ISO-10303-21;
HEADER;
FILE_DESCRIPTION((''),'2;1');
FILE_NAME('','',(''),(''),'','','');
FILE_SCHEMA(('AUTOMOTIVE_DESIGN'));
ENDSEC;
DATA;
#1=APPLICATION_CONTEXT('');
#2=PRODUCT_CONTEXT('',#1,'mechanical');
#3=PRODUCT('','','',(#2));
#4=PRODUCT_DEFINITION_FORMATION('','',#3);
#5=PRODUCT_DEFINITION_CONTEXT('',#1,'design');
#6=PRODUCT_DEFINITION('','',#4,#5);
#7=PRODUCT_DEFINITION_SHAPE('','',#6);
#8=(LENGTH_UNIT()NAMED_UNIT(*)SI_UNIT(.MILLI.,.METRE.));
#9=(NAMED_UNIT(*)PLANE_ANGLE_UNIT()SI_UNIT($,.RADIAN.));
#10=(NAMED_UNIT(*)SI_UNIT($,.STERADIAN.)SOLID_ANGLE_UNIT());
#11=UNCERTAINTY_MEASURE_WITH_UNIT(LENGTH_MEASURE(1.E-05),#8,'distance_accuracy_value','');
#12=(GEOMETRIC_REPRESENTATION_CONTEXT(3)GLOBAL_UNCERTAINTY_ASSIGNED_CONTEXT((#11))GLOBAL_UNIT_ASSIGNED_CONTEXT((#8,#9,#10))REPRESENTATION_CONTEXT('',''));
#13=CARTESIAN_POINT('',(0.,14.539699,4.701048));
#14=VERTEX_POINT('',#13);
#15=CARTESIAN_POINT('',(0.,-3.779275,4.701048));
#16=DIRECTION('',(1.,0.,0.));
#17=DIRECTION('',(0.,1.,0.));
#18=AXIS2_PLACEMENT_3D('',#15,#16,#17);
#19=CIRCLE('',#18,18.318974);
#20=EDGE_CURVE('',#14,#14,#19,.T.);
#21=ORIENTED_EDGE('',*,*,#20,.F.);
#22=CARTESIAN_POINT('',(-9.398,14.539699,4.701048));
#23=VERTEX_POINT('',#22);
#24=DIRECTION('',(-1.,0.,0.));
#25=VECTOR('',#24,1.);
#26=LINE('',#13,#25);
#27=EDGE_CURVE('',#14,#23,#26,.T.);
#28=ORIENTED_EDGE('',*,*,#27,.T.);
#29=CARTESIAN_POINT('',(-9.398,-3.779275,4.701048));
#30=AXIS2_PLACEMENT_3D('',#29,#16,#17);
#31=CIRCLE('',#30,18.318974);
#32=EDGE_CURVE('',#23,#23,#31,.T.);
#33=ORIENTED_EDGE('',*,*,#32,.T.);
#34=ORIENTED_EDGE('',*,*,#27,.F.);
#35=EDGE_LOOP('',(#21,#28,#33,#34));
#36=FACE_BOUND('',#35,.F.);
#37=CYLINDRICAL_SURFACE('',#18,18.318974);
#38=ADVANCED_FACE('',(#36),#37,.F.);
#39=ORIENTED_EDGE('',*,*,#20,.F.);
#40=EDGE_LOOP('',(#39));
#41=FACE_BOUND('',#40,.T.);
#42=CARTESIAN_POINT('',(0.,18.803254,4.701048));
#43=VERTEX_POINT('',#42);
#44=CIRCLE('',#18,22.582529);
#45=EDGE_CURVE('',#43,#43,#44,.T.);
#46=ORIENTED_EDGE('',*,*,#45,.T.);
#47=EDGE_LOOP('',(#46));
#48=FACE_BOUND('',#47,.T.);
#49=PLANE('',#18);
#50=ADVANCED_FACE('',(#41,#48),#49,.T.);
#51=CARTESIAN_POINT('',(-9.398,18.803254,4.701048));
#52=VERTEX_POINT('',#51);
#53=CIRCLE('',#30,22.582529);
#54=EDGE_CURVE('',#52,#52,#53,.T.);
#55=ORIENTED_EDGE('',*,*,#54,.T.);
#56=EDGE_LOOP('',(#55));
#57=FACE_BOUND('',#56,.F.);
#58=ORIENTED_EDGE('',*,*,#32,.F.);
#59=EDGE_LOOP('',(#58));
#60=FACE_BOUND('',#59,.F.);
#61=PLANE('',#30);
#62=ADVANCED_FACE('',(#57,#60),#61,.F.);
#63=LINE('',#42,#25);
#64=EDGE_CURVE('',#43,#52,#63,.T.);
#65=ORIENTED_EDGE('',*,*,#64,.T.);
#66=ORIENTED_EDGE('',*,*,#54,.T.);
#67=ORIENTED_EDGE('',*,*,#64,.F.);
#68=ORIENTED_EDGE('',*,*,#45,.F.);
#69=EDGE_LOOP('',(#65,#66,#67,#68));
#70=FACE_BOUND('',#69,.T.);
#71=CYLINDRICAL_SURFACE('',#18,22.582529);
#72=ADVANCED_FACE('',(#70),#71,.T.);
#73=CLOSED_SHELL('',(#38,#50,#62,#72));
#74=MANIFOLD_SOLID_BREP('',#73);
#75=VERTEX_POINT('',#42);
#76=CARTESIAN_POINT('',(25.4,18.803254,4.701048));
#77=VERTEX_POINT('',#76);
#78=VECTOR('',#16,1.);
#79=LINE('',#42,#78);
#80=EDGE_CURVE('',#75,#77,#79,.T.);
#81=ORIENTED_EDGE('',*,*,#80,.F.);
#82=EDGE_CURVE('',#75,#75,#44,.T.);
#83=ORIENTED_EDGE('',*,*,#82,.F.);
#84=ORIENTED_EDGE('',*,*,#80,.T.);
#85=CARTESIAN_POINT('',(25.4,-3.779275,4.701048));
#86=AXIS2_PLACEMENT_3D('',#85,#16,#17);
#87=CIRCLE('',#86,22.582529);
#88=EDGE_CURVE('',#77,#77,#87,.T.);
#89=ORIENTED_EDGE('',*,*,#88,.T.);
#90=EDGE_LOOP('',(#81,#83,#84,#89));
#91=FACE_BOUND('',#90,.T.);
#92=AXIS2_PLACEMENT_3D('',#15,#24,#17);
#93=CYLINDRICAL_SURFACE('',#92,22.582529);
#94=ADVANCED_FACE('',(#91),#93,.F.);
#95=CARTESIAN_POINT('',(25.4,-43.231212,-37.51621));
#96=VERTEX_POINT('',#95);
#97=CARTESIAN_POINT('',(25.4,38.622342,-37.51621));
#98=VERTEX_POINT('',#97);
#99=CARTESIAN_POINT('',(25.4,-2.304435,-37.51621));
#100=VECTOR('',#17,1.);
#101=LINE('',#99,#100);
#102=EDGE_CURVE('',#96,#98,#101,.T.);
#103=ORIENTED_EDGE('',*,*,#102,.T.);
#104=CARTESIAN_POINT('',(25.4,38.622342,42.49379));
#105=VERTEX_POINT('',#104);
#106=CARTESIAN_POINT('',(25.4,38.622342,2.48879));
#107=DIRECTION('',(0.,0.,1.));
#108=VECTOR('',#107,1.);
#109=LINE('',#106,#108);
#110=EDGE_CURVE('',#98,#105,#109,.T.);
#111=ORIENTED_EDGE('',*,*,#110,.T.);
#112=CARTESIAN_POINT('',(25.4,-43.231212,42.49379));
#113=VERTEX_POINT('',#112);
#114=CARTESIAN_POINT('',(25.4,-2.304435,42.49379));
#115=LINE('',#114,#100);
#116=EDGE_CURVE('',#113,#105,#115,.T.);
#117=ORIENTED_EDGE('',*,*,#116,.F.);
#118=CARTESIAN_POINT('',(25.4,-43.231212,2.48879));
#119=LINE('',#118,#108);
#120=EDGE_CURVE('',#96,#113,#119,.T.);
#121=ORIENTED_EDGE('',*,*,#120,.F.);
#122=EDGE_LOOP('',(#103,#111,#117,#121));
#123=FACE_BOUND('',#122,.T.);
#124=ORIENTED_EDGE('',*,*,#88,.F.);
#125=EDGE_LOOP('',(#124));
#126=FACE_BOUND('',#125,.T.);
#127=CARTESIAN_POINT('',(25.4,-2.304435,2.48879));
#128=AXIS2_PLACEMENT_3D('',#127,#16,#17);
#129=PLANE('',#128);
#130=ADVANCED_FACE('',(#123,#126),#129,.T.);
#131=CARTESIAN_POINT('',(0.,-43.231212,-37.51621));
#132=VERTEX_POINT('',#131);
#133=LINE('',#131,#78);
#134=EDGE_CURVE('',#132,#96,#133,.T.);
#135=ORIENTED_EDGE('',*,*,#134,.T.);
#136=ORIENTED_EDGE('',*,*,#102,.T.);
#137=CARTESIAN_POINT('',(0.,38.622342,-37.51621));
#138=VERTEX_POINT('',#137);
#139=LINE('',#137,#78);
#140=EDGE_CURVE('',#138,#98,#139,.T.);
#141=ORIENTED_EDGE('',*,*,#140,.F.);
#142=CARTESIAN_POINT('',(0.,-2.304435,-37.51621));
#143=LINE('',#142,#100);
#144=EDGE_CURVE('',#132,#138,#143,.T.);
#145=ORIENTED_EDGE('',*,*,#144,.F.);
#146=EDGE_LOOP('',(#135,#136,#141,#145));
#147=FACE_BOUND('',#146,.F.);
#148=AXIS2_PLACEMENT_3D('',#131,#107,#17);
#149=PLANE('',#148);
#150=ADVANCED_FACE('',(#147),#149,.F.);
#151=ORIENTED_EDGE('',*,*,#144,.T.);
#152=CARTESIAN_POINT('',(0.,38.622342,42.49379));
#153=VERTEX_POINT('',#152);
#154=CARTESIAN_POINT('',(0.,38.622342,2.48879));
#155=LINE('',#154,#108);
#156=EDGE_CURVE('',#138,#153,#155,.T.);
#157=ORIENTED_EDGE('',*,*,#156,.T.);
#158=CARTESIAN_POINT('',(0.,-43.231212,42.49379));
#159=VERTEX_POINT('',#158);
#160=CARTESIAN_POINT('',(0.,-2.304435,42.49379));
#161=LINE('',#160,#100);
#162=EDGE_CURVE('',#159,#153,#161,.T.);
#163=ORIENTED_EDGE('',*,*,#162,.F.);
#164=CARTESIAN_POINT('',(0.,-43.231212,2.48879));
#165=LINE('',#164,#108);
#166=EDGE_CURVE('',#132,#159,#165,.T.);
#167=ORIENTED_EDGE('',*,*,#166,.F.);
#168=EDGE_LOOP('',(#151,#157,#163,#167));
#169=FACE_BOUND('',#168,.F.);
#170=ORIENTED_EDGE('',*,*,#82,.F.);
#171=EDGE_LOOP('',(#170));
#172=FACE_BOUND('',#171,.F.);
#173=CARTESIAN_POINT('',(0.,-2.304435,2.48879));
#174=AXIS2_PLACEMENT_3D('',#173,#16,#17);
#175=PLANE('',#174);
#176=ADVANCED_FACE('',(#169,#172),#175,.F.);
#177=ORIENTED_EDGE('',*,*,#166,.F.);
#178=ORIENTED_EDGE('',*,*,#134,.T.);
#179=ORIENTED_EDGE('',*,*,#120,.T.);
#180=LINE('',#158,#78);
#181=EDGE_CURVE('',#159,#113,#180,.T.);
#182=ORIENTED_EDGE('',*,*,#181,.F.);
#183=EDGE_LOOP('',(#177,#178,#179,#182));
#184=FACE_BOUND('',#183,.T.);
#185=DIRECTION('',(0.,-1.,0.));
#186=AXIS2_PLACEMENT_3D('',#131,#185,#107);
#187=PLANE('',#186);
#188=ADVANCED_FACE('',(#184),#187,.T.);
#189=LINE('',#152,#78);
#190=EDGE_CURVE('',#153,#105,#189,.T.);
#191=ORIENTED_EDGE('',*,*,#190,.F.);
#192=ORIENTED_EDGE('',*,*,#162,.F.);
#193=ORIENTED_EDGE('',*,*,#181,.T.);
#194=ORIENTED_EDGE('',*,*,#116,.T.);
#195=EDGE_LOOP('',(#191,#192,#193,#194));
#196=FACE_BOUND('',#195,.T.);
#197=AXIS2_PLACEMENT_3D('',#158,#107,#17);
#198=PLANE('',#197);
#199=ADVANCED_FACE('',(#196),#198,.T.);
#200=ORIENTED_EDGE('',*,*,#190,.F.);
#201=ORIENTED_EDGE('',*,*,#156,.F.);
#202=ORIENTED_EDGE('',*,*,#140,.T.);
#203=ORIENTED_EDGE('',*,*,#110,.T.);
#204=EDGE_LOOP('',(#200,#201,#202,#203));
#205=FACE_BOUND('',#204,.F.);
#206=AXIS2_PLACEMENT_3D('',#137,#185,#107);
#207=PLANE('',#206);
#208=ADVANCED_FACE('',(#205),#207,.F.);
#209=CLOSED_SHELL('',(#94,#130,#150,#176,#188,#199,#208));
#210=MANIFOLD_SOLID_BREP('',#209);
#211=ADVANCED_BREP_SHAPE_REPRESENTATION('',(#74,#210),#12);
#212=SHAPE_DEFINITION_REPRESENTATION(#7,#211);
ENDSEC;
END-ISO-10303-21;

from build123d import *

# Parameters (mm, degrees)
F0_W     = 81.853554
F0_H     = 80.01
F0_R     = 22.582529
F1_DEPTH = 25.4
F0_R_2   = 18.318974
F2_DEPTH = 9.398


with BuildPart() as f1:
    # F0 (on Right) → F1 (new body)
    with BuildSketch(Plane.YZ):
        with Locations((-2.304435, 2.48879)):
            Rectangle(F0_W, F0_H)
        with Locations((-3.779275, 4.701048)):
            Circle(F0_R, mode=Mode.SUBTRACT)
    extrude(amount=F1_DEPTH)


with BuildPart() as f2:
    # F0 (on Right) → F2 (new body)
    with BuildSketch(Plane.YZ):
        with Locations((-3.779275, 4.701048)):
            Circle(F0_R)
        with Locations((-3.779275, 4.701048)):
            Circle(F0_R_2, mode=Mode.SUBTRACT)
    extrude(amount=-F2_DEPTH)


solid = Compound([f1.part, f2.part])
